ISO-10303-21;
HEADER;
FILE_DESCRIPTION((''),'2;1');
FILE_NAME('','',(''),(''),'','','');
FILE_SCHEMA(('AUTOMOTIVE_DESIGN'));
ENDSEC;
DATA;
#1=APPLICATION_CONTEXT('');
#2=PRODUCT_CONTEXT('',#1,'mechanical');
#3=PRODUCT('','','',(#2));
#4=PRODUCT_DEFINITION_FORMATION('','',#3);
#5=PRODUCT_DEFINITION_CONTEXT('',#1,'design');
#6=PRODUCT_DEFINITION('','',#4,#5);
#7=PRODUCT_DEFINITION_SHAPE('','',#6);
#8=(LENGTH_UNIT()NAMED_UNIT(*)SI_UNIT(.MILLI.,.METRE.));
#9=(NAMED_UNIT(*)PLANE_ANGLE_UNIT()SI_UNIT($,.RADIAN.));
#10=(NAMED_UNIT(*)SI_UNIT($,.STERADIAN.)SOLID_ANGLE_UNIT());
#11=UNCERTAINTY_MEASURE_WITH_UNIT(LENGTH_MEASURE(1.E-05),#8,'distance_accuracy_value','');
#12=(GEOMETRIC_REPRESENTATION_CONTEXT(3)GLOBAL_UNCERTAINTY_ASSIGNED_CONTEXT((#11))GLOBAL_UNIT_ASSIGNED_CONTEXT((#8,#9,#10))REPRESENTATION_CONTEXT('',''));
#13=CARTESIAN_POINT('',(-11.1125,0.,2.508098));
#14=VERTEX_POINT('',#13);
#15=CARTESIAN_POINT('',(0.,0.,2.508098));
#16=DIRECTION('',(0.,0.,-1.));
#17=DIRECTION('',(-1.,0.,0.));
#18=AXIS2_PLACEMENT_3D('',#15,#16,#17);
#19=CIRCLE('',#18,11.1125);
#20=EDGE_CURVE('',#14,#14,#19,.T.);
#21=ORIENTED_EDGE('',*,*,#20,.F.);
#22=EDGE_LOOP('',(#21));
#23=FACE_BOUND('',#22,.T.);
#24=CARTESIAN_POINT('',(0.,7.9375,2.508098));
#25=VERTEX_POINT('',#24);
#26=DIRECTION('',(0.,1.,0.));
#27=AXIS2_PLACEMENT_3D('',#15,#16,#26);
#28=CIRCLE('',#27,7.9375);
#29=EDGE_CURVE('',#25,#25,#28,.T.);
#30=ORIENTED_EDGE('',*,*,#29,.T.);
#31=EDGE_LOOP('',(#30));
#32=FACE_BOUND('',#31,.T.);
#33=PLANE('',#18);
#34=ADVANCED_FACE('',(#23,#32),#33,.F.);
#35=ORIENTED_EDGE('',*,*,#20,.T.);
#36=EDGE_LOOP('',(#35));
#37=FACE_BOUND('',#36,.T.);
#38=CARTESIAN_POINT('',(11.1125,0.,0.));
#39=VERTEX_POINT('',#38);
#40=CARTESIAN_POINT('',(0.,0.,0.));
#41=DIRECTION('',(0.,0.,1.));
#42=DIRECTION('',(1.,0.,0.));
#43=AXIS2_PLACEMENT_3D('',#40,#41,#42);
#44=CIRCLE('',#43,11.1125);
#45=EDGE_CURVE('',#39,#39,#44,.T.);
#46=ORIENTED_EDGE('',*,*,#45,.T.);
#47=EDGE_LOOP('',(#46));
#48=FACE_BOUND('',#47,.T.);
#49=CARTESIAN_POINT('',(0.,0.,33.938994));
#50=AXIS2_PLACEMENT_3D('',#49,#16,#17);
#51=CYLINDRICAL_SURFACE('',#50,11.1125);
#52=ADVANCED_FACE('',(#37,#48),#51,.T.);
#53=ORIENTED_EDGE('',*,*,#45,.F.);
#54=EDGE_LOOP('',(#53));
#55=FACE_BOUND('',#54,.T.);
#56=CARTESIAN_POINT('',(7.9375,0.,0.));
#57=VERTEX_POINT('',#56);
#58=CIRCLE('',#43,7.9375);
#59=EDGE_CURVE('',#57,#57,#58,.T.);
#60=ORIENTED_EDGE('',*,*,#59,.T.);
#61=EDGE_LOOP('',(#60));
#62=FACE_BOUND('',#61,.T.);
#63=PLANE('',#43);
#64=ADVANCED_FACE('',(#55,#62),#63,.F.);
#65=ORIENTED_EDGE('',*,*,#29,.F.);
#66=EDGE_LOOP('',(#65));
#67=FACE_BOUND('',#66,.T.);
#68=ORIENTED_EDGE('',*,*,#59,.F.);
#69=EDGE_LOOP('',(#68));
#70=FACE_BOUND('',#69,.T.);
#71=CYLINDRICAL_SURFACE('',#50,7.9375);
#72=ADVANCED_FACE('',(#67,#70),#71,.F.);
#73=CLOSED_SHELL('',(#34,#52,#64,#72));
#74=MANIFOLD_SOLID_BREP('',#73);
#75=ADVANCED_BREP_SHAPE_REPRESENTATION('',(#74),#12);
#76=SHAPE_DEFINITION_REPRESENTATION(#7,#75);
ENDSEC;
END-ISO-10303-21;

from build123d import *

# Parameters (mm, degrees)
SKETCH1_R           = 11.1125
SKETCH1_R_2         = 7.9375
BOSS_EXTRUDE1_DEPTH = 2.5080976


with BuildPart() as part:
    # Sketch1 → Boss-Extrude1 (new body)
    with BuildSketch(Plane.XY):
        with Locations(Location((0, 0, 0), (0, 0, 180))):
            Circle(SKETCH1_R)
        with Locations(Location((0, 0, 0), (0, 0, 90))):
            Circle(SKETCH1_R_2, mode=Mode.SUBTRACT)
    extrude(amount=BOSS_EXTRUDE1_DEPTH)


solid = part.part
